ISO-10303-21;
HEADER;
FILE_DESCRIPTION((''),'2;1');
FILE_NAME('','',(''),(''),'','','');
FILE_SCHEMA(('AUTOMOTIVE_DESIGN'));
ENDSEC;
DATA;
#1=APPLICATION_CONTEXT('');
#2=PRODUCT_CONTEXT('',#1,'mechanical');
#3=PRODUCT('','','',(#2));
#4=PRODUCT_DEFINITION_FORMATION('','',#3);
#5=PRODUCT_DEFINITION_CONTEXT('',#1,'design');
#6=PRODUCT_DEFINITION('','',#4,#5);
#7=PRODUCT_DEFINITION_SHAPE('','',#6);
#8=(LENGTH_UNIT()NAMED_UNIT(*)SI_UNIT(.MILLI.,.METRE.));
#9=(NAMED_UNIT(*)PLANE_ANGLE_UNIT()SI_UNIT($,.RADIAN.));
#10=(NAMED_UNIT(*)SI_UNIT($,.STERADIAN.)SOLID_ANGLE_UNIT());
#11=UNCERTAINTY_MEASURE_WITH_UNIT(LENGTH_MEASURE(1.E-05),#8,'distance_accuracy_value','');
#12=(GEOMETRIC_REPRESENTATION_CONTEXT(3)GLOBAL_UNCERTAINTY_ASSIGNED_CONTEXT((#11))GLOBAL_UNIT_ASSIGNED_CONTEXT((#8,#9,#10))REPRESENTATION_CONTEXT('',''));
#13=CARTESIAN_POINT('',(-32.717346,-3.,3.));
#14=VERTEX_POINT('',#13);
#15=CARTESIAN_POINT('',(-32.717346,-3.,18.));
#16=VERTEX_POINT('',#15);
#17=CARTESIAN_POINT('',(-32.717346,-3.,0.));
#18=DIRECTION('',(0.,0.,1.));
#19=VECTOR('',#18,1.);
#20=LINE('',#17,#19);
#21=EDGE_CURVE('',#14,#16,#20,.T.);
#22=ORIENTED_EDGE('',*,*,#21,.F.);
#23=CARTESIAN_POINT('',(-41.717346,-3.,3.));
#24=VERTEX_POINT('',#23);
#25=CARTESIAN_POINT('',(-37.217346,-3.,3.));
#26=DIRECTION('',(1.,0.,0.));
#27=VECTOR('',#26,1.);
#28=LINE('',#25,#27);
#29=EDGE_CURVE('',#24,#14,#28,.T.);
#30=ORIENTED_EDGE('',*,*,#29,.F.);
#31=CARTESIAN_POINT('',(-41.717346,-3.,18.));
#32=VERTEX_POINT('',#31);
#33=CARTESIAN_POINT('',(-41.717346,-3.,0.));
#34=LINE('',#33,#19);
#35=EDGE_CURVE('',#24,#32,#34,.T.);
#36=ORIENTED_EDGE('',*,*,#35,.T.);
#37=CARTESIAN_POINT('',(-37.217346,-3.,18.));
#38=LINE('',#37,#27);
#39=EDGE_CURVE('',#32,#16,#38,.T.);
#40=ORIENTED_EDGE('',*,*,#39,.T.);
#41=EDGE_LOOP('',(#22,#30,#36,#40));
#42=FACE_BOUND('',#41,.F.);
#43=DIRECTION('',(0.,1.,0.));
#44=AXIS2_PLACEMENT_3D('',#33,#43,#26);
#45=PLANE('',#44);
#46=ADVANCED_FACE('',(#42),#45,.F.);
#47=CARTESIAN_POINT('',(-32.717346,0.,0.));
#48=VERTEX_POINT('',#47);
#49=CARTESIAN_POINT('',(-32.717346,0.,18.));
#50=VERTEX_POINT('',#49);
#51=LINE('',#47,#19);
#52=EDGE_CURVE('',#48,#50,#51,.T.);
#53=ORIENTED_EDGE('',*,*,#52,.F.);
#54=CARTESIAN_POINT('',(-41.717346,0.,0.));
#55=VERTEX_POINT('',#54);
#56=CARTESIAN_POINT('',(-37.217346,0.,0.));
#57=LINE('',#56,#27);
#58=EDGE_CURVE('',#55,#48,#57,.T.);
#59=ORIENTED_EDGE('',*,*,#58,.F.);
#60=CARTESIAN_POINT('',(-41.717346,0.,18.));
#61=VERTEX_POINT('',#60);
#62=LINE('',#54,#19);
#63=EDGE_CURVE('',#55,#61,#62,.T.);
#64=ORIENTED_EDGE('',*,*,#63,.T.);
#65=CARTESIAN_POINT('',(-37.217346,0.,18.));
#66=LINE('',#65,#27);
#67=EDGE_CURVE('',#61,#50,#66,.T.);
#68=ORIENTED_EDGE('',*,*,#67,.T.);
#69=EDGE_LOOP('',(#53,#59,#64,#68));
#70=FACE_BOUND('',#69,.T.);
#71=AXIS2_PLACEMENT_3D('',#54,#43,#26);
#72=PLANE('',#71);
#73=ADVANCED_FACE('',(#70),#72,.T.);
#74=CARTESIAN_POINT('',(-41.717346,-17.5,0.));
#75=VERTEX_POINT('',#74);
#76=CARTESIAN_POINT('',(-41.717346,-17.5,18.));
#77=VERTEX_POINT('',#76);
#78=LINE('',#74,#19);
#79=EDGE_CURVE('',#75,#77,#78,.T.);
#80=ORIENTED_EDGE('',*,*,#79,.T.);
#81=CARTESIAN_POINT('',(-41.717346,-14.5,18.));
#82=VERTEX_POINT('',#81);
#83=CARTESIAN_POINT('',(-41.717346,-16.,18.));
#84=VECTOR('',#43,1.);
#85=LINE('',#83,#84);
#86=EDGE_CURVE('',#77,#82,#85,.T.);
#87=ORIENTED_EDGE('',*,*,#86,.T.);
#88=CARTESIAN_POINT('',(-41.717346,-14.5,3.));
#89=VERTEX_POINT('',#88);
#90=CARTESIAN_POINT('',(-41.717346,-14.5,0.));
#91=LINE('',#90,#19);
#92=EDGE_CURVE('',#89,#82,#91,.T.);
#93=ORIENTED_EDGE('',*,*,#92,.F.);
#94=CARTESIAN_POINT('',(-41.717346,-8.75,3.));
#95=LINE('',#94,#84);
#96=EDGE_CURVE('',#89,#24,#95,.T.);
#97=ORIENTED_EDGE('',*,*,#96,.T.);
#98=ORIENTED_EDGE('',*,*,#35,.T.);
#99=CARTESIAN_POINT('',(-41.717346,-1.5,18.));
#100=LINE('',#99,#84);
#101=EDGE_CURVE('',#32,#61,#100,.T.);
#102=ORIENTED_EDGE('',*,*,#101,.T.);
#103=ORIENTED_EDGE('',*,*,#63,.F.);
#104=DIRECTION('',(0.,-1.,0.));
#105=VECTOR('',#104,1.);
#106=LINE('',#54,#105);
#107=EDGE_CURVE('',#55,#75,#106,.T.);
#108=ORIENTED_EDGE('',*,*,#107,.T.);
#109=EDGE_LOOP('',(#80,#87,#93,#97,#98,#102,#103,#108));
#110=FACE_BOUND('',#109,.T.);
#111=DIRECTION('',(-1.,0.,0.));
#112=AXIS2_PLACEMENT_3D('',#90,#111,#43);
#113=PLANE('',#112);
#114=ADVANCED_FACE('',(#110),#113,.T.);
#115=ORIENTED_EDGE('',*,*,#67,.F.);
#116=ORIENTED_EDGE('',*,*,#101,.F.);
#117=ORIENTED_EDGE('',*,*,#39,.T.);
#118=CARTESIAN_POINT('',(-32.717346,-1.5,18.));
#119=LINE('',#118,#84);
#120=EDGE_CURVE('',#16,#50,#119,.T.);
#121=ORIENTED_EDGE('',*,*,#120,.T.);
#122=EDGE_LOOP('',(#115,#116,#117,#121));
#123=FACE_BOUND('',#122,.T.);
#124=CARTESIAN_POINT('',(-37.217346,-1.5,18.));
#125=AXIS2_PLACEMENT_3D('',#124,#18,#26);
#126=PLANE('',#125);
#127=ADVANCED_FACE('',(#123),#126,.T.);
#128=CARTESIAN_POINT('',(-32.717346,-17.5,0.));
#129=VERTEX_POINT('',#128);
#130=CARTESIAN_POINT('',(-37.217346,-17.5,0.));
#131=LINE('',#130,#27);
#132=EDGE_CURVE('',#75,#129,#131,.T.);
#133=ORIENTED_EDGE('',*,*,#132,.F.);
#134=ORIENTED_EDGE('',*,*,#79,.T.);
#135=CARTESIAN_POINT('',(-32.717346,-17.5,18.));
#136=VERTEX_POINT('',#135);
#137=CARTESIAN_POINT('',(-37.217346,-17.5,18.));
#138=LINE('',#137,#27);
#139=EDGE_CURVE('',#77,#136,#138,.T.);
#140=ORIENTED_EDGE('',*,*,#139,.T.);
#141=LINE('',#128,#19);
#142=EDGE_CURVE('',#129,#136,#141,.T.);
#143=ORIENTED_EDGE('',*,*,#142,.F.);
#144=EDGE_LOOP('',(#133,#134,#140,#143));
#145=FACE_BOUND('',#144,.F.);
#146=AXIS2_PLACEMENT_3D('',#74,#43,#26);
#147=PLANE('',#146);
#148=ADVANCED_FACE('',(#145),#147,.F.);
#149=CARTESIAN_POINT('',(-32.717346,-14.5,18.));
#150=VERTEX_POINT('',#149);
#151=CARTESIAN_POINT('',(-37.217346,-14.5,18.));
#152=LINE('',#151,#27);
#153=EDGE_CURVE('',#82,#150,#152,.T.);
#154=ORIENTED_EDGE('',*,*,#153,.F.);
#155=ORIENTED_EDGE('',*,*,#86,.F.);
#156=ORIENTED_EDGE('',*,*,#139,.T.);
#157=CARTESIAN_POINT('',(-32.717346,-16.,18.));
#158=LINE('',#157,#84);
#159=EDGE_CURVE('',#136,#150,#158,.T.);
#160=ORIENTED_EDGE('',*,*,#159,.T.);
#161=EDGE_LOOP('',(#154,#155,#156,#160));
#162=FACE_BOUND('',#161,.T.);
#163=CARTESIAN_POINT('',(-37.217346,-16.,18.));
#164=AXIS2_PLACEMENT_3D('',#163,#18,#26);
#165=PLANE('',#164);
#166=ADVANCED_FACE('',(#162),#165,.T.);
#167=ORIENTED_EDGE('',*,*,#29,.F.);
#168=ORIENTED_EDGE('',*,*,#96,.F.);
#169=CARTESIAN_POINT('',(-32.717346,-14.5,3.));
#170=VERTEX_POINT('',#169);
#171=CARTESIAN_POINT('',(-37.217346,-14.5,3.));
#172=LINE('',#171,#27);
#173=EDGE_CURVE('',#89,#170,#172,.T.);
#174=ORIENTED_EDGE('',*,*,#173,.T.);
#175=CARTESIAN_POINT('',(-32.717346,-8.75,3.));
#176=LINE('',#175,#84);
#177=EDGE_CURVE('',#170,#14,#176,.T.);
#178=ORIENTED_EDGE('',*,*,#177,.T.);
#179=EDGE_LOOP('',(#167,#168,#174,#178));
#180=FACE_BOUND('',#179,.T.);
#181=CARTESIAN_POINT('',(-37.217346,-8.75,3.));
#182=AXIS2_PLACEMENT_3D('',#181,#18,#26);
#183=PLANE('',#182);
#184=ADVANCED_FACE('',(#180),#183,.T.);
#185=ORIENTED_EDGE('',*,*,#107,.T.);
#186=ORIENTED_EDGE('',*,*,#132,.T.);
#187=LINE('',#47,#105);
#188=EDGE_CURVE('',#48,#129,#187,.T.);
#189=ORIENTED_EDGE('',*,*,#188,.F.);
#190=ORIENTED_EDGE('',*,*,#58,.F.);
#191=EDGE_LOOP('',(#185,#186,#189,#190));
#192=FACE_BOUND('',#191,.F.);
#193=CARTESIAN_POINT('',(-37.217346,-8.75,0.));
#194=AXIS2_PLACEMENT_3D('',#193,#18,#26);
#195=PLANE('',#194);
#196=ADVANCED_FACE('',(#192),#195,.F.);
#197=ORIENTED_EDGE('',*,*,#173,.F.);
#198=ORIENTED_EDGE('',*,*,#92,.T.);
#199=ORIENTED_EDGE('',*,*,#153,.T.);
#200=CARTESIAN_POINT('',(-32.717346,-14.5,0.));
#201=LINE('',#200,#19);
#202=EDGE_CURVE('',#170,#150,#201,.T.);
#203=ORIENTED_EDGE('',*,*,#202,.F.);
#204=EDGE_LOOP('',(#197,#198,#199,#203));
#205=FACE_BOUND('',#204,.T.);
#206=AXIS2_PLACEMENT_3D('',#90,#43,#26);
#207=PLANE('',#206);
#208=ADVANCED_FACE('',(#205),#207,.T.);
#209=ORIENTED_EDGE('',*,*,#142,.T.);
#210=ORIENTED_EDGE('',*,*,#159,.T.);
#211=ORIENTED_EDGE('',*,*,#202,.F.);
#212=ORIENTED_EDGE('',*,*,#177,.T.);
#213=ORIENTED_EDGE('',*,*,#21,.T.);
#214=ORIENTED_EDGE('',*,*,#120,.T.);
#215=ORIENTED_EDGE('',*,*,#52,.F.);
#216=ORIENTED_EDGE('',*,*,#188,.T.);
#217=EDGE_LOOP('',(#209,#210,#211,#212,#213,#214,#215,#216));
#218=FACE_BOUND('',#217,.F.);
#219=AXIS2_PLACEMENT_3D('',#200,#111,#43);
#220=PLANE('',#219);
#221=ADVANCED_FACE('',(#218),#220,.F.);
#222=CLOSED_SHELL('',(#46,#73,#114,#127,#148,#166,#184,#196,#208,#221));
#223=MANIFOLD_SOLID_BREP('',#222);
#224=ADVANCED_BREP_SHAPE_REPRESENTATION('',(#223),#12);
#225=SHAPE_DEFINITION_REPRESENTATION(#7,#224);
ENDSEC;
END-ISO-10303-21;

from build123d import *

# Parameters (mm, degrees)
F0_W     = 9
F0_H     = 3
F1_DEPTH = 18
F0_H_2   = 11.5
F2_DEPTH = 3


with BuildPart() as f1:
    # F0 (on Top) → F1 (new body)
    with BuildSketch(Plane.XY):
        with Locations((-37.2173463006, -1.5)):
            Rectangle(F0_W, F0_H)
    extrude(amount=F1_DEPTH)



with BuildPart() as f1b:
    # F0 (on Top) → F1, piece 2 (new body)
    with BuildSketch(Plane.XY):
        with Locations((-37.2173463006, -16)):
            Rectangle(F0_W, F0_H)
    extrude(amount=F1_DEPTH)


with BuildPart() as f1_1:
    add(f1.part)

    add(f1b.part)  # F2 merges F1b
    # F0 (on Top) → F2 (join)
    with BuildSketch(Plane.XY):
        with Locations((-37.2173463006, -8.75)):
            Rectangle(F0_W, F0_H_2)
    extrude(amount=F2_DEPTH)


solid = f1_1.part
